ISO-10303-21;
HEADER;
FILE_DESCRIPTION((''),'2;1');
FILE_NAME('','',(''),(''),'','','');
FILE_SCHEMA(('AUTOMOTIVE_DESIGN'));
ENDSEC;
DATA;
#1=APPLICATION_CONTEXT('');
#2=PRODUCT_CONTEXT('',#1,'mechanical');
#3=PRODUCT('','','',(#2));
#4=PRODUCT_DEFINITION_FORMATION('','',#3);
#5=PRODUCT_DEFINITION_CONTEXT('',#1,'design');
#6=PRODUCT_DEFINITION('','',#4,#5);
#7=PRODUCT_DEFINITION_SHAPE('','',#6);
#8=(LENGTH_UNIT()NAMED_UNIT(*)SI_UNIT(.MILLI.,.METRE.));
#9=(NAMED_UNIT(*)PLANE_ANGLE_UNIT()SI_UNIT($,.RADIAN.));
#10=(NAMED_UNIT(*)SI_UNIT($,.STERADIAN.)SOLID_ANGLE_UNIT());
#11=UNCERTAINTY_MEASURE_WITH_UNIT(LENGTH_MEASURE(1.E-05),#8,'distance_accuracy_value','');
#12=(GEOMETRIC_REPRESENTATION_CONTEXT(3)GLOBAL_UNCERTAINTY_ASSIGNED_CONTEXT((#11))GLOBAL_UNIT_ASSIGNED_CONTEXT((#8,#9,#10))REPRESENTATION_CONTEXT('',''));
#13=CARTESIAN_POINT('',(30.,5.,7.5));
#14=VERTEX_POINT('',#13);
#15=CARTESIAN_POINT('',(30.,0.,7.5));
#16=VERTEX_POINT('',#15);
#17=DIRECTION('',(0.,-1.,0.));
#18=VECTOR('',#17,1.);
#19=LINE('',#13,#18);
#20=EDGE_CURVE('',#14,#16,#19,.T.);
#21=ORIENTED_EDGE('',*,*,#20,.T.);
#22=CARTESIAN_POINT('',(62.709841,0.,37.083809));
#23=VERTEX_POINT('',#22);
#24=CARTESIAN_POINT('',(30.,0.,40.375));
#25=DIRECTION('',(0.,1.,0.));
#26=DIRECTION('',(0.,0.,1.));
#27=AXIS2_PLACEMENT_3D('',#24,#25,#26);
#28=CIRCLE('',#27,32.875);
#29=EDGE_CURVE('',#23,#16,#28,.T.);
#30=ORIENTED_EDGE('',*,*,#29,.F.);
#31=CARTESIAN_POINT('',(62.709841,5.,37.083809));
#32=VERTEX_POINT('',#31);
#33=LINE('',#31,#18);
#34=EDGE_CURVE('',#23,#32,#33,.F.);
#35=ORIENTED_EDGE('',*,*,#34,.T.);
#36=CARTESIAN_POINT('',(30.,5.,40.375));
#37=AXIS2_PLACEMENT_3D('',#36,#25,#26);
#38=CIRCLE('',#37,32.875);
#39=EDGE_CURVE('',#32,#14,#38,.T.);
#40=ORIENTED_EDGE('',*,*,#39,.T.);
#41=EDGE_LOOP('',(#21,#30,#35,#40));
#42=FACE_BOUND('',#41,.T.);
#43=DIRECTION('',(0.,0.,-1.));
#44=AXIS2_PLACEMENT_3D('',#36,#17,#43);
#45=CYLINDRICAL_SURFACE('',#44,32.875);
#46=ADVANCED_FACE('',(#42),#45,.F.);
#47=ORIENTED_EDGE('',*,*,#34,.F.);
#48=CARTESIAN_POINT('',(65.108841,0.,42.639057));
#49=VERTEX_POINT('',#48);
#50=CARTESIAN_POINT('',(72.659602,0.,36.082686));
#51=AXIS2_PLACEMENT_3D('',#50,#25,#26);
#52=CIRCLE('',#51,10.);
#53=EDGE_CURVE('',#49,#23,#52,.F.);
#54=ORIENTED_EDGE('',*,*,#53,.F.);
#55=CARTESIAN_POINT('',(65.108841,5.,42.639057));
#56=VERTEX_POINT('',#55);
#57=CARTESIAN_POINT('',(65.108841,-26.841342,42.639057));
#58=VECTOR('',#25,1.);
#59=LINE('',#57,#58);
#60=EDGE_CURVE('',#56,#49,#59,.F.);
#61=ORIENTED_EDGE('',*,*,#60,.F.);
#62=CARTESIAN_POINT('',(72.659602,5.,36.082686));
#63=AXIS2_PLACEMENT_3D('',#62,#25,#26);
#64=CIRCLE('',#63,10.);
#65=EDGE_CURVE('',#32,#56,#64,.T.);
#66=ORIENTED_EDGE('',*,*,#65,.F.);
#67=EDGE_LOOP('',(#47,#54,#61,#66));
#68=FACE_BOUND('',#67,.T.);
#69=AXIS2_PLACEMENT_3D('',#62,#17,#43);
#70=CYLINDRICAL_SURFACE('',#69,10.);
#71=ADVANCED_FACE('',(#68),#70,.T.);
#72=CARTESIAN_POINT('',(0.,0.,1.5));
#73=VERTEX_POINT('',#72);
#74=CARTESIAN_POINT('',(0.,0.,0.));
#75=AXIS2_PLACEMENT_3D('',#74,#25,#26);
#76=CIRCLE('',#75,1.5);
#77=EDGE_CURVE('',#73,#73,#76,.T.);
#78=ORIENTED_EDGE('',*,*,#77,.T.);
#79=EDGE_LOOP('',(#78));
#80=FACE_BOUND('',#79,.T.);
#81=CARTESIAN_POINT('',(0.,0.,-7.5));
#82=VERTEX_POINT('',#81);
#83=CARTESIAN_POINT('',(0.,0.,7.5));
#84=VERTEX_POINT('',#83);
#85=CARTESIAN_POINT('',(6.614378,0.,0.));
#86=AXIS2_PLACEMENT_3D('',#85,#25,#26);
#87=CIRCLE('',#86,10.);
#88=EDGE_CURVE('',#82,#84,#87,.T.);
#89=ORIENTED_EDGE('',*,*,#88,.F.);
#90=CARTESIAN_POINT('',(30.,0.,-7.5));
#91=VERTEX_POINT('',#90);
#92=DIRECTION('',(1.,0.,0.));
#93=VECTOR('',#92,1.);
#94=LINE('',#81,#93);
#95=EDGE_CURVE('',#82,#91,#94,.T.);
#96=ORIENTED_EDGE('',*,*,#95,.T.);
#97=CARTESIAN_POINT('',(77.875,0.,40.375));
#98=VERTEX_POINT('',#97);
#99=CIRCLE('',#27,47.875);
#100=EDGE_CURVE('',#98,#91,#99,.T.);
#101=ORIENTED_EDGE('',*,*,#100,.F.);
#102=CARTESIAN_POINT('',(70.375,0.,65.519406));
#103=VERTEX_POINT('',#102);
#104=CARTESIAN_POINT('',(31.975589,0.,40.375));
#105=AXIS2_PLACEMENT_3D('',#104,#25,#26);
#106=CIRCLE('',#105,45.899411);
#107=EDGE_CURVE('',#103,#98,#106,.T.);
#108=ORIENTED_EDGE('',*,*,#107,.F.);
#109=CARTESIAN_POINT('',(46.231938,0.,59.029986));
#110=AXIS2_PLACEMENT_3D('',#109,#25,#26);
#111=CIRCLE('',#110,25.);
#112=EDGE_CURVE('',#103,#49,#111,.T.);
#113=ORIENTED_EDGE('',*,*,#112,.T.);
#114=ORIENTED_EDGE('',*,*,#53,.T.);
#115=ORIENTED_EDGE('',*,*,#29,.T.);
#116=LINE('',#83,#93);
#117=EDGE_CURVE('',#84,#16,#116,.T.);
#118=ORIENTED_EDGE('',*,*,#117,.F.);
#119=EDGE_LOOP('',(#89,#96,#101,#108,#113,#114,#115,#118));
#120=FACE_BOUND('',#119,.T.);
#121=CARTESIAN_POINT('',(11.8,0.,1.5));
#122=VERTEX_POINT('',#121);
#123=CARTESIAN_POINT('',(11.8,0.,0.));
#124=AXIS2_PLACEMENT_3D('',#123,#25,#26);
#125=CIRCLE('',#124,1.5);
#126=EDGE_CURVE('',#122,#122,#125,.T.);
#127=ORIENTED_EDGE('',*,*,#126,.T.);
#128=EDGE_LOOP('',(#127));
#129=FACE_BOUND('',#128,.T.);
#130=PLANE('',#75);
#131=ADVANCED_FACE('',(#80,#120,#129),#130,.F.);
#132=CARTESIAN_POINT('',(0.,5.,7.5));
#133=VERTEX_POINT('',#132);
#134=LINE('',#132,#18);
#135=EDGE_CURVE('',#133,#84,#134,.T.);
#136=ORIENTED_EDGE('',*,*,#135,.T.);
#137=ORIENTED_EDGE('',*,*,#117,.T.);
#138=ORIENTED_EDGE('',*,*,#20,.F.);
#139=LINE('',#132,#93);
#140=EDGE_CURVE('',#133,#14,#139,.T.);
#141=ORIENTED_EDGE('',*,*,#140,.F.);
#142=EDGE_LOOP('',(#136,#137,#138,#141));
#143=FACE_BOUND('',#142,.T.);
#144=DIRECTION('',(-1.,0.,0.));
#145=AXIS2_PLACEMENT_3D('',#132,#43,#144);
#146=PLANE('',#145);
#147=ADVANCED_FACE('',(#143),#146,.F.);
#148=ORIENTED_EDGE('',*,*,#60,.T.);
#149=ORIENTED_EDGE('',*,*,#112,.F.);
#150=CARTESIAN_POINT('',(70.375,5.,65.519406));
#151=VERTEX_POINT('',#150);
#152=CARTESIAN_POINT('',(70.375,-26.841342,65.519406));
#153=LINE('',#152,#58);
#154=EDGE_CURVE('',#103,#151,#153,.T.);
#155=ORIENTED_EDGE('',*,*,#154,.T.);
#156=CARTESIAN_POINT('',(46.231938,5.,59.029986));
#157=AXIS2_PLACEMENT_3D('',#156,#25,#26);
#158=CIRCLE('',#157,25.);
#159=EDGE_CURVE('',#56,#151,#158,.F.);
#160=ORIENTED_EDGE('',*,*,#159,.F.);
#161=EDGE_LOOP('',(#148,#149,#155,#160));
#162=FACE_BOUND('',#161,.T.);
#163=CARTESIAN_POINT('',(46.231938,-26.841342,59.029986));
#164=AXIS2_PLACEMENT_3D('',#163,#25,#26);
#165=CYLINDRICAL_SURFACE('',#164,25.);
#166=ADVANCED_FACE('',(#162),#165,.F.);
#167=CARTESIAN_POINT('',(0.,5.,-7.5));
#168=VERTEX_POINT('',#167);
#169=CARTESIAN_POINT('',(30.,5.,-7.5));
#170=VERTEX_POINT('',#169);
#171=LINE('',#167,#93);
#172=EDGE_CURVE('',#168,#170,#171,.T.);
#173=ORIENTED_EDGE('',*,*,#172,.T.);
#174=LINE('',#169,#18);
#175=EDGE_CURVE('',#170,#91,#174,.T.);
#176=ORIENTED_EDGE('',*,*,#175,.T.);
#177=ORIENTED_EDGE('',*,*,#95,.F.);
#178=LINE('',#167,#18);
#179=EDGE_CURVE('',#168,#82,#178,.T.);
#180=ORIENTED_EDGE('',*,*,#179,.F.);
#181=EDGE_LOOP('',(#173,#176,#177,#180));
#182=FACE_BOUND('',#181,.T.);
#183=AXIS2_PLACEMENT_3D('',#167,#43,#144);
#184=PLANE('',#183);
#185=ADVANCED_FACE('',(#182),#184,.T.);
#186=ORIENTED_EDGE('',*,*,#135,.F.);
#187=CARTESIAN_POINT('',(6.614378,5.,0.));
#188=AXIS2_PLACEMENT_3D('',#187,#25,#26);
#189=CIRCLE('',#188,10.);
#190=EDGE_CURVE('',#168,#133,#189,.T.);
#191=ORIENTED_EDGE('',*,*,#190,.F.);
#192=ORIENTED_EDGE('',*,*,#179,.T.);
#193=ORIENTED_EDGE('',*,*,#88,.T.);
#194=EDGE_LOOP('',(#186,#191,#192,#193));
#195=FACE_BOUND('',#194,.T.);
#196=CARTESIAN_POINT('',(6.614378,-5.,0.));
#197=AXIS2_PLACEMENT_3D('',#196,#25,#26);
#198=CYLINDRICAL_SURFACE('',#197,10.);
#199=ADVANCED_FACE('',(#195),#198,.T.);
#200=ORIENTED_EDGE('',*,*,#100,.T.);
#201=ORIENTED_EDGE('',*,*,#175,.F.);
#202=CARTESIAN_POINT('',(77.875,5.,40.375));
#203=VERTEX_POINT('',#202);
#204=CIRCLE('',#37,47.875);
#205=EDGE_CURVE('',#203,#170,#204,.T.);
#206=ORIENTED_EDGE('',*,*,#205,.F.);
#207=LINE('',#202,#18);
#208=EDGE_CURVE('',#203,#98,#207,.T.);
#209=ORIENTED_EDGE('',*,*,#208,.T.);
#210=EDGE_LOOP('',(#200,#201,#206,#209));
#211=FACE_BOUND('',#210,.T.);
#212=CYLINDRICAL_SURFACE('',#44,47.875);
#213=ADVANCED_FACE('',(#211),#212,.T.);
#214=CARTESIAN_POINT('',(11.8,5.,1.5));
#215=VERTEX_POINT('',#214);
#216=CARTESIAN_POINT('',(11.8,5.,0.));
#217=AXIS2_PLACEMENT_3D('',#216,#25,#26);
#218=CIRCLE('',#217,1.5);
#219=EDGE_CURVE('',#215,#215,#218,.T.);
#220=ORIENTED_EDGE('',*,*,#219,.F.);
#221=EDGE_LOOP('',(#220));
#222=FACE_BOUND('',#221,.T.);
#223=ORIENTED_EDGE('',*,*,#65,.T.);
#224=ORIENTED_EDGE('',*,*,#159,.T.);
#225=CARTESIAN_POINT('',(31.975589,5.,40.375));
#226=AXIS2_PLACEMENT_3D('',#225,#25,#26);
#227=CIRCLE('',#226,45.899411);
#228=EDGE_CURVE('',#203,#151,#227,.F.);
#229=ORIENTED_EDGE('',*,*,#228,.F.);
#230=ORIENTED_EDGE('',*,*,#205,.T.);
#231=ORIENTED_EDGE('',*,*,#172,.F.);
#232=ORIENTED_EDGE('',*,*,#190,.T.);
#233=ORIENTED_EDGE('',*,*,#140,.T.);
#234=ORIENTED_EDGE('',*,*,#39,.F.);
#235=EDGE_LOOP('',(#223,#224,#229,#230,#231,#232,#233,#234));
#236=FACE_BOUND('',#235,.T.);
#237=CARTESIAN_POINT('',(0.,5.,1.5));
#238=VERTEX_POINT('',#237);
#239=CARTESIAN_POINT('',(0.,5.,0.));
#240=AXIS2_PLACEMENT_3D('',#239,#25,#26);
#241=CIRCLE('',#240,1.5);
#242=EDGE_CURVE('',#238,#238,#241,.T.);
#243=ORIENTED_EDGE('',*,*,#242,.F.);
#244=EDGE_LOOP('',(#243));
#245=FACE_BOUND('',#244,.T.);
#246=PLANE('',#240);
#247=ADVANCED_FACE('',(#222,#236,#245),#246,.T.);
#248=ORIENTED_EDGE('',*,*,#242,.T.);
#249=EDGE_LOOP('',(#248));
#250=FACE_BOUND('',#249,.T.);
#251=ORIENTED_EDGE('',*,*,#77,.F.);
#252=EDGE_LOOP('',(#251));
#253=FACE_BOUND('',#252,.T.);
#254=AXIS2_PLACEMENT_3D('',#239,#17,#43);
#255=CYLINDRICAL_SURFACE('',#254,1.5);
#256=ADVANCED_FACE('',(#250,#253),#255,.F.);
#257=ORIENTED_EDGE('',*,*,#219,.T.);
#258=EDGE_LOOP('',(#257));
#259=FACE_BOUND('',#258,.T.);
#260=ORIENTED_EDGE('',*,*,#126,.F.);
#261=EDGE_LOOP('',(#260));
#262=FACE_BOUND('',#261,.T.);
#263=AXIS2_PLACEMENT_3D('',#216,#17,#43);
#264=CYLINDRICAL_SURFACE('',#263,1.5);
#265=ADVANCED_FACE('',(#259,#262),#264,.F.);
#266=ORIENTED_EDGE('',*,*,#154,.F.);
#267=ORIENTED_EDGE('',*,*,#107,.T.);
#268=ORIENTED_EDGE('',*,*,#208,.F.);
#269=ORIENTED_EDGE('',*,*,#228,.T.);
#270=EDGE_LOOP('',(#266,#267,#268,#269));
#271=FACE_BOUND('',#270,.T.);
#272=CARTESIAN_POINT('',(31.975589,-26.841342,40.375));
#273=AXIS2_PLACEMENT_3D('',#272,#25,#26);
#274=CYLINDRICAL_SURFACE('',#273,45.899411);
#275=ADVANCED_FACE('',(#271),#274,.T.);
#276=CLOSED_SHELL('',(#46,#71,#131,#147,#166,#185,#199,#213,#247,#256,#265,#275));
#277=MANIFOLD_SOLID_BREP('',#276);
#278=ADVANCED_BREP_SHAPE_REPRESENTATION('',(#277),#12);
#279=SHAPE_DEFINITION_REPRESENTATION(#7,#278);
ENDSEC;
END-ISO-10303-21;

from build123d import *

# Parameters (mm, degrees)
SKETCH1_R           = 1.5
BOSS_EXTRUDE1_DEPTH = 5
CUT_EXTRUDE1_DEPTH  = 10
BOSS_EXTRUDE2_DEPTH = 5
CUT_EXTRUDE2_DEPTH  = 10
FILLET1_R           = 10


with BuildPart() as part:
    # Sketch1 → Boss-Extrude1 (new body)
    with BuildSketch(Plane(origin=(0, 0, 0), x_dir=(1, 0, 0), z_dir=(0, 1, 0))):
        with BuildLine():
            ThreePointArc((30, 7.5), (22.5, 0), (30, -7.5))
            Line((30, -7.5), (0, -7.5))
            ThreePointArc((0, -7.5), (-7.5, 0), (0, 7.5))
            Line((0, 7.5), (30, 7.5))
        make_face()
        with Locations((11.8, 0)):
            Circle(SKETCH1_R, mode=Mode.SUBTRACT)
        Circle(SKETCH1_R, mode=Mode.SUBTRACT)
        with BuildLine():
            ThreePointArc((30, -7.5), (37.5, 0), (30, 7.5))
            ThreePointArc((30, 7.5), (22.5, 0), (30, -7.5))
        make_face()
        with BuildLine():
            ThreePointArc((62.875, -40.375), (53.246135432, -17.128864568), (30, -7.5))
            ThreePointArc((30, -7.5), (37.5, 0), (30, 7.5))
            ThreePointArc((30, 7.5), (63.852737149, -6.522262851), (77.875, -40.375))
            ThreePointArc((77.875, -40.375), (70.375, -47.875), (62.875, -40.375))
        make_face()
    extrude(amount=BOSS_EXTRUDE1_DEPTH)

    # Sketch2 → Cut-Extrude1 (cut)
    with BuildSketch(Plane(origin=(0, 5, 0), x_dir=(1, 0, 0), z_dir=(0, 1, 0))):
        with BuildLine():
            ThreePointArc((0, 7.5), (-7.5, 0), (0, -7.5))
            ThreePointArc((0, -7.5), (-3.385621722, 0), (0, 7.5))
        make_face()
    extrude(amount=-CUT_EXTRUDE1_DEPTH, mode=Mode.SUBTRACT)

    # Sketch3 → Boss-Extrude2 (add)
    with BuildSketch(Plane(origin=(0, 5, 0), x_dir=(1, 0, 0), z_dir=(0, 1, 0))):
        with BuildLine():
            ThreePointArc((77.875, -40.375), (74.960699845, -46.309758372), (68.482638152, -47.632338812))
            ThreePointArc((68.482638152, -47.632338812), (71.093194767, -56.399789932), (70.375, -65.519406222))
            ThreePointArc((70.375, -65.519406222), (75.960053745, -53.494557579), (77.875, -40.375))
        make_face()
    extrude(amount=-BOSS_EXTRUDE2_DEPTH)

    # Sketch4 → Cut-Extrude2 (cut)
    with BuildSketch(Plane(origin=(0, 5, 0), x_dir=(1, 0, 0), z_dir=(0, 1, 0))):
        with BuildLine():
            ThreePointArc((62.875, -40.375), (64.440241628, -44.960699845), (68.482638152, -47.632338812))
            ThreePointArc((68.482638152, -47.632338812), (66.014466289, -43.744319779), (62.875, -40.375))
        make_face()
    extrude(amount=-CUT_EXTRUDE2_DEPTH, mode=Mode.SUBTRACT)

    # Fillet1
    fillet1_edges = [part.edges().sort_by_distance(p)[0] for p in [
        (62.875, 2.5, 40.375),
    ]]
    fillet(fillet1_edges, radius=FILLET1_R)


solid = part.part
